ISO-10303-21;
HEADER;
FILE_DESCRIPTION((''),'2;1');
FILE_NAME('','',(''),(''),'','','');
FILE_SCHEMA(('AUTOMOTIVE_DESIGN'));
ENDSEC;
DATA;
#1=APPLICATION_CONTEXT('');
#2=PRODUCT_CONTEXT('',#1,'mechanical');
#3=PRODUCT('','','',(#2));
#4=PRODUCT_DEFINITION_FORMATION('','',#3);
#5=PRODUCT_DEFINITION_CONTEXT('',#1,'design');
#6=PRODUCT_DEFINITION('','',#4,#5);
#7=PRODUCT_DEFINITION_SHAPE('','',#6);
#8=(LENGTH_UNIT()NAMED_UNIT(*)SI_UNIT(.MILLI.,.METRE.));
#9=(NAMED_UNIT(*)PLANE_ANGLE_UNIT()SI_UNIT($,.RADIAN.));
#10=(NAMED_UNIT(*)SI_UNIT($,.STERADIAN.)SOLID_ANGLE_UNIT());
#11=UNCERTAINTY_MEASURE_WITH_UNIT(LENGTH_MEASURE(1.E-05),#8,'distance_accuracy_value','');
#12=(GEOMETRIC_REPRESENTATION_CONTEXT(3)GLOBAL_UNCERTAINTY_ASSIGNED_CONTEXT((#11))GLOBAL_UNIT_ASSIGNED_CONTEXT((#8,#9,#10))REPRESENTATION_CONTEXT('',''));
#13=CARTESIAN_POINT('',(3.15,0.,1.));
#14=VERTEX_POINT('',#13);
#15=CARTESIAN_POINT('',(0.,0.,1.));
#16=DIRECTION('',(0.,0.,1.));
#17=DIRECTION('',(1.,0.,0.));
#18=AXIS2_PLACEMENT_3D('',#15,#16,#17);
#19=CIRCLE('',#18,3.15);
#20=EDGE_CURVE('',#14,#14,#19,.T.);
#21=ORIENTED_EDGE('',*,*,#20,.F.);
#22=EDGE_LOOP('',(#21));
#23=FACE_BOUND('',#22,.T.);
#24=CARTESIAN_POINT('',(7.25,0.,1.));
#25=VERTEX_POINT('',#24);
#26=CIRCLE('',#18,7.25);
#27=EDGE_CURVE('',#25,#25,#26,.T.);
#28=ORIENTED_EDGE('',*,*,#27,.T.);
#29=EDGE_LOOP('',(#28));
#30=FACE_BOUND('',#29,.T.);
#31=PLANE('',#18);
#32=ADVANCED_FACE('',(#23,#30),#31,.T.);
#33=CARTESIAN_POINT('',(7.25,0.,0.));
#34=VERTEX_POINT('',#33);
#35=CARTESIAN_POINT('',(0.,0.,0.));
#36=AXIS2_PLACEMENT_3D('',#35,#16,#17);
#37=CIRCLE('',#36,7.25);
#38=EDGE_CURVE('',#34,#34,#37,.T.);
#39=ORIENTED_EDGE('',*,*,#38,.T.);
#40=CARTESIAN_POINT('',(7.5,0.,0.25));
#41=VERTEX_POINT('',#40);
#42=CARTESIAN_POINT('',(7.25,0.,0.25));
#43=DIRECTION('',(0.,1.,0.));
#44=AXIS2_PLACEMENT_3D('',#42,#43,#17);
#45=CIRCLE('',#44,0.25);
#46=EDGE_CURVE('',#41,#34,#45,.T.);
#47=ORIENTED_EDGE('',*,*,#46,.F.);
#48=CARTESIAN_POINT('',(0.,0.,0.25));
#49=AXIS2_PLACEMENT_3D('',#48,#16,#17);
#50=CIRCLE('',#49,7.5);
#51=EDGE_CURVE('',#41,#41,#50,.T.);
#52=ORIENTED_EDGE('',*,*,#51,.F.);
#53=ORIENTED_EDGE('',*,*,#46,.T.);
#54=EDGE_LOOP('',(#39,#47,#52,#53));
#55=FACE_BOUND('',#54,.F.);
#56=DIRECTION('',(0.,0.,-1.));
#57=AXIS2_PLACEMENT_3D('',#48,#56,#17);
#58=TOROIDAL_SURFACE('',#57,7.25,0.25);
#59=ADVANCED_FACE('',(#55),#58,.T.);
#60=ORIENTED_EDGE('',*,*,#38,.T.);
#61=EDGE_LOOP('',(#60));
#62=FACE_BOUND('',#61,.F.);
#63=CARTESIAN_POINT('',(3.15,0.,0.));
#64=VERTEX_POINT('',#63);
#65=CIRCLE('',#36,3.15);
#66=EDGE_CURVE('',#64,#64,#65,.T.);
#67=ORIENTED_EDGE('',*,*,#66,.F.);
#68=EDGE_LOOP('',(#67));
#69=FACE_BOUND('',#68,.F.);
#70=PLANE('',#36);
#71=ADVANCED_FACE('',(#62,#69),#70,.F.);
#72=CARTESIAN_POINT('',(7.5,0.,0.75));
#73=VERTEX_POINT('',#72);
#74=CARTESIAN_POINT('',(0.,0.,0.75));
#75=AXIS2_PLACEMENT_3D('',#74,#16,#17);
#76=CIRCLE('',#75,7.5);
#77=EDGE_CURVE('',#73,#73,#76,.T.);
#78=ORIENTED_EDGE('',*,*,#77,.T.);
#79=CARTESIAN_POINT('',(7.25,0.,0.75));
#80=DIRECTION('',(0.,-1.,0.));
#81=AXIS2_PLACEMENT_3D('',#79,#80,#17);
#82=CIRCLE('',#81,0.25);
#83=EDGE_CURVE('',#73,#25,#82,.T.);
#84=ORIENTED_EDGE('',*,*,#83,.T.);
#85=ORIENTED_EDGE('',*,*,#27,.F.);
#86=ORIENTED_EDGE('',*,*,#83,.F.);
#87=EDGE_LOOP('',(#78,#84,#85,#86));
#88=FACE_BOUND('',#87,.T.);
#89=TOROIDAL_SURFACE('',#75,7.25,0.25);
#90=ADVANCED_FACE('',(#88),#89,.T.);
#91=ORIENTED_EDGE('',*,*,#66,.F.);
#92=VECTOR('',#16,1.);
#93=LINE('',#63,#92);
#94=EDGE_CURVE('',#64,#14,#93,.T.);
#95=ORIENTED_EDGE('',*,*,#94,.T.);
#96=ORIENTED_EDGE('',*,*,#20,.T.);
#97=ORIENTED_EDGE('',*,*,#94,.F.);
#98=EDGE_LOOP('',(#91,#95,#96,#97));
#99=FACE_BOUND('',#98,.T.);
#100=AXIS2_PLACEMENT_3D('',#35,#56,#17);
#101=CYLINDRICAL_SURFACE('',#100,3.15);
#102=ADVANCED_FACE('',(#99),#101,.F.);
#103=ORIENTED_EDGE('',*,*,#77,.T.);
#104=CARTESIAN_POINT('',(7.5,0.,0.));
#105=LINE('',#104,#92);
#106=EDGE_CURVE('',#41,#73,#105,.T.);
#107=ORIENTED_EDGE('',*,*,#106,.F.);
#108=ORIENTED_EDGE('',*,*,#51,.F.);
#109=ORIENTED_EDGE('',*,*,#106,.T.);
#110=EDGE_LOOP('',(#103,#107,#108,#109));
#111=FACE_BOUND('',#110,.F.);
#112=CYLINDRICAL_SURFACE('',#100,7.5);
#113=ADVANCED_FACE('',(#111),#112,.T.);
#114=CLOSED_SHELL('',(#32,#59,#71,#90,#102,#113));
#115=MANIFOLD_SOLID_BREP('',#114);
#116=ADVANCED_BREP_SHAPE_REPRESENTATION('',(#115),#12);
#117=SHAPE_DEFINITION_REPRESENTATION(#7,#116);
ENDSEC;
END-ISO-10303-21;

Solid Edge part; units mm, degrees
sketch "Sketch1" plane through (0, 0, 0) normal (0, 0, 1) x (1, 0, 0)
  circle A0 centre (0, 0) radius 3.15
  circle A1 centre (0, 0) radius 7.5
  dimension "D1" = 6.3
  dimension "D2" = 15
extrude "Protrusion1" add sketch "Sketch1" along normal blind 1
fillet "Round_1" radius 0.25 2 edges at (-7.5, 0, 1) (-7.5, 0, 0)
